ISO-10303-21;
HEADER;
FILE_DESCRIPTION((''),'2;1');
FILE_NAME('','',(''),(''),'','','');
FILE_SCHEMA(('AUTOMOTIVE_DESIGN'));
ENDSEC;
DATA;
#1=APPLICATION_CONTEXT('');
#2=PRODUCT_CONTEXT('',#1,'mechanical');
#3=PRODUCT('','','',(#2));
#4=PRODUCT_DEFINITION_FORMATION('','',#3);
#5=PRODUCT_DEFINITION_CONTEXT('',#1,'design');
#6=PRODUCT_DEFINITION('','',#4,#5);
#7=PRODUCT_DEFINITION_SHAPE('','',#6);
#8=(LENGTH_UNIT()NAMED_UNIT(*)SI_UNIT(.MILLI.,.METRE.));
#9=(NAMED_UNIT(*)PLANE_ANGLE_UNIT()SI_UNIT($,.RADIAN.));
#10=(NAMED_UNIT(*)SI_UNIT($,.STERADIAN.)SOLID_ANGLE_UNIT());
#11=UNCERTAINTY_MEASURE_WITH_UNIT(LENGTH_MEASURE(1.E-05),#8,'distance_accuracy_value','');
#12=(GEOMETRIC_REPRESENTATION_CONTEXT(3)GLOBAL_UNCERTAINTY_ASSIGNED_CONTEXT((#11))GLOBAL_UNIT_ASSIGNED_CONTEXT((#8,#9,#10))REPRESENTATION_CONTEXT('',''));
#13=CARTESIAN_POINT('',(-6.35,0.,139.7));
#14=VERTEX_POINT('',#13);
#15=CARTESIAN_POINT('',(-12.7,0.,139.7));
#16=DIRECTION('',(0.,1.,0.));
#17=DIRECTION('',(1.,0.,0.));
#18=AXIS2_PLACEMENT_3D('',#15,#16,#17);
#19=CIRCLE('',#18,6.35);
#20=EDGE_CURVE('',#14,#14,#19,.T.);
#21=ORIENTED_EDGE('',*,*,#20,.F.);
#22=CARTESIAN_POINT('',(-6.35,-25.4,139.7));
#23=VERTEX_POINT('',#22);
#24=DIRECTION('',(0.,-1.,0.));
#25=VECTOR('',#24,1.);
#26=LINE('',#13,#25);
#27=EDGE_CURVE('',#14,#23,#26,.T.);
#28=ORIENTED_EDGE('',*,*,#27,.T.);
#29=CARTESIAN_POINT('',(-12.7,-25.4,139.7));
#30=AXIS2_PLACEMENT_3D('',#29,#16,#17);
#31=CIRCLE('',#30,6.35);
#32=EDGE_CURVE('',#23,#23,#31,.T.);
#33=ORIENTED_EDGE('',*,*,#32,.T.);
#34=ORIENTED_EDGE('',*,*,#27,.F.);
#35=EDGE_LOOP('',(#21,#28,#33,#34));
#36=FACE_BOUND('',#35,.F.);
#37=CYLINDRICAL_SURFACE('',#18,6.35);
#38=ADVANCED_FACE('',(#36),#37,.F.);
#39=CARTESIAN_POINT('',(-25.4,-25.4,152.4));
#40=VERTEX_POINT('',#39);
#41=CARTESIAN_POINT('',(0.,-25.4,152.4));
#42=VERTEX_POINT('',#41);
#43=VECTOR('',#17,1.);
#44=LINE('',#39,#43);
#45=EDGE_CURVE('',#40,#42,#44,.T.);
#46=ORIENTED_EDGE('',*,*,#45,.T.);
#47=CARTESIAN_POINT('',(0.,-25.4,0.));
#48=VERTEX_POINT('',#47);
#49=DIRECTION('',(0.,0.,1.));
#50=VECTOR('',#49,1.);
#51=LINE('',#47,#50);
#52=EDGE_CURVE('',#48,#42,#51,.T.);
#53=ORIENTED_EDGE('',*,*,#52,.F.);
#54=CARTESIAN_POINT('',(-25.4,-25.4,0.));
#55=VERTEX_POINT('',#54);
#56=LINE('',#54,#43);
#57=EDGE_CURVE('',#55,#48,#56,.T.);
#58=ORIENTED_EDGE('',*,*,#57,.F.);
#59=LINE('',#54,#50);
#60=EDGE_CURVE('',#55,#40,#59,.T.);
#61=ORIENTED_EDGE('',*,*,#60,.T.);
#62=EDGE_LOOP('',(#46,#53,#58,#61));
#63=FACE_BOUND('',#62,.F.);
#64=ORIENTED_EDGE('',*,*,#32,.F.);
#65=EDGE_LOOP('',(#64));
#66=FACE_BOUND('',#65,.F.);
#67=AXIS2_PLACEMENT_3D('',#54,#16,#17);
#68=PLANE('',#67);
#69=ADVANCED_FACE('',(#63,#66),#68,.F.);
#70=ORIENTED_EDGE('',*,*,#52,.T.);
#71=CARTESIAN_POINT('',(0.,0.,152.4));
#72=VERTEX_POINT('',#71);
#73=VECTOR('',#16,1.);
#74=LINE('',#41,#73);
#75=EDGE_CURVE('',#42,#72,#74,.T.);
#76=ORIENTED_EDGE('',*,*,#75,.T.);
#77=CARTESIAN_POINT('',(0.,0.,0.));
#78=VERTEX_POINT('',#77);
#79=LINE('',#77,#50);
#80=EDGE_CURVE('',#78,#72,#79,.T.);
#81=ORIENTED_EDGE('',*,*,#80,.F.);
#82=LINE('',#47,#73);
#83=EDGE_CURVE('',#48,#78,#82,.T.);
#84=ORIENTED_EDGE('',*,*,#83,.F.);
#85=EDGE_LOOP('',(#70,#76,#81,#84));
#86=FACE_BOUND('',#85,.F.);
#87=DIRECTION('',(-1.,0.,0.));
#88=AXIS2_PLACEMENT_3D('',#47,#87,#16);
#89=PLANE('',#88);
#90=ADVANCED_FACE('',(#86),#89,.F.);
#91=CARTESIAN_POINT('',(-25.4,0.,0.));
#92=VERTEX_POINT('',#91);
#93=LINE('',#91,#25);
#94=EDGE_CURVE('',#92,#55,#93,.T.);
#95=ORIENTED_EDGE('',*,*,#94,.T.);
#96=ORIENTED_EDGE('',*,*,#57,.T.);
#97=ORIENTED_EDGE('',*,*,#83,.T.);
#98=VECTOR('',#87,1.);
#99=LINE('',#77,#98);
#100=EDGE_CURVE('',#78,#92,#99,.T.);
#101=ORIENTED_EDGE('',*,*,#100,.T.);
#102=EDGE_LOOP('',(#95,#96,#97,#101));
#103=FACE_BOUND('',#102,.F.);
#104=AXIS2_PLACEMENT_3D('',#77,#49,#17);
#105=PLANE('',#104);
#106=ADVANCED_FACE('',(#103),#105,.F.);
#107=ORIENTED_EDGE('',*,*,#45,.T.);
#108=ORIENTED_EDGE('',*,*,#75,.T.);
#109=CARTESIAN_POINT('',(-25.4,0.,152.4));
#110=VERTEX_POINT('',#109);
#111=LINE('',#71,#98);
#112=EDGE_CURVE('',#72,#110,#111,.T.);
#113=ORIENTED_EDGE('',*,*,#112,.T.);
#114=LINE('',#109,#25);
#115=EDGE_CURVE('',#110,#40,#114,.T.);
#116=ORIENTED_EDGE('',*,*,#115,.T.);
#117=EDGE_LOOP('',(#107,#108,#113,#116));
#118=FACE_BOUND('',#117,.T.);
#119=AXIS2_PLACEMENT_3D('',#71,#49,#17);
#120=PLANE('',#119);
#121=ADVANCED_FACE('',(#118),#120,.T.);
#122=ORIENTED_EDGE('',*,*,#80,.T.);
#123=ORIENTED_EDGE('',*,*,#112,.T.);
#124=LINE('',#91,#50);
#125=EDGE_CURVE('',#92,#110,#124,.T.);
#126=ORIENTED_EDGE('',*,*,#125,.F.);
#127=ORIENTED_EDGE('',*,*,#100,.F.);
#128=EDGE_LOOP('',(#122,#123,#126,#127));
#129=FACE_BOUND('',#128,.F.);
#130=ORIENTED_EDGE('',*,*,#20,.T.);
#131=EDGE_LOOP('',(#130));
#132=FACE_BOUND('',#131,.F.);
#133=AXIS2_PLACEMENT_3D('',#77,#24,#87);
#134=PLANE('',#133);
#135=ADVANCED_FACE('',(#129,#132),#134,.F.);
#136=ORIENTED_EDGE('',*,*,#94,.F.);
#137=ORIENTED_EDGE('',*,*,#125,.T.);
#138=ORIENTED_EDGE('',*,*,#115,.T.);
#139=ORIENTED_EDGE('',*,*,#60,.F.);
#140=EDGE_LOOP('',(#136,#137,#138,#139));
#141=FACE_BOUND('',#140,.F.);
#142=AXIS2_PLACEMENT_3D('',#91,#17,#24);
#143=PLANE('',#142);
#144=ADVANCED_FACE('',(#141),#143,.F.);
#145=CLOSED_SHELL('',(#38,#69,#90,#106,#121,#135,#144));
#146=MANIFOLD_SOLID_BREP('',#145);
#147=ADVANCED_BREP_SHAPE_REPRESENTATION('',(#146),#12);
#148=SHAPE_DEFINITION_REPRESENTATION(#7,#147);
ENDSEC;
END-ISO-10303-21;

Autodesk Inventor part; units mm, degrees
ref_plane "YZ Plane" through (0, 0, 0) normal (1, 0, 0) x (0, 1, 0)
ref_plane "XZ Plane" through (0, 0, 0) normal (0, 1, 0) x (-1, 0, 0)
ref_plane "XY Plane" through (0, 0, 0) normal (0, 0, 1) x (1, 0, 0)
sketch "Sketch1" plane through (0, 0, 0) normal (0, 0, 1) x (1, 0, 0)
  line L0 (0, 0) -> (-25.4, 0)
  line L1 (-25.4, 0) -> (-25.4, -25.4)
  line L2 (-25.4, -25.4) -> (0, -25.4)
  line L3 (0, -25.4) -> (0, 0)
  dimension "d0" = 25.4
  dimension "d1" = 25.4
extrude "Extrusion1" add sketch "Sketch1" along normal blind 152.4
sketch "Sketch2" plane through (-25.4, 0, 0) normal (0, 1, 0) x (1, 0, 0)
  circle A0 centre (12.7, -139.7) radius 6.35
  line L0 (0, -152.4) -> (25.4, -152.4) projected
  line L1 (25.4, 0) -> (25.4, -152.4) projected
  dimension "d4" = 12.7
  dimension "d5" = 12.7
  dimension "d6" = 12.7
extrude "Extrusion2" cut sketch "Sketch2" against normal blind 76.2
